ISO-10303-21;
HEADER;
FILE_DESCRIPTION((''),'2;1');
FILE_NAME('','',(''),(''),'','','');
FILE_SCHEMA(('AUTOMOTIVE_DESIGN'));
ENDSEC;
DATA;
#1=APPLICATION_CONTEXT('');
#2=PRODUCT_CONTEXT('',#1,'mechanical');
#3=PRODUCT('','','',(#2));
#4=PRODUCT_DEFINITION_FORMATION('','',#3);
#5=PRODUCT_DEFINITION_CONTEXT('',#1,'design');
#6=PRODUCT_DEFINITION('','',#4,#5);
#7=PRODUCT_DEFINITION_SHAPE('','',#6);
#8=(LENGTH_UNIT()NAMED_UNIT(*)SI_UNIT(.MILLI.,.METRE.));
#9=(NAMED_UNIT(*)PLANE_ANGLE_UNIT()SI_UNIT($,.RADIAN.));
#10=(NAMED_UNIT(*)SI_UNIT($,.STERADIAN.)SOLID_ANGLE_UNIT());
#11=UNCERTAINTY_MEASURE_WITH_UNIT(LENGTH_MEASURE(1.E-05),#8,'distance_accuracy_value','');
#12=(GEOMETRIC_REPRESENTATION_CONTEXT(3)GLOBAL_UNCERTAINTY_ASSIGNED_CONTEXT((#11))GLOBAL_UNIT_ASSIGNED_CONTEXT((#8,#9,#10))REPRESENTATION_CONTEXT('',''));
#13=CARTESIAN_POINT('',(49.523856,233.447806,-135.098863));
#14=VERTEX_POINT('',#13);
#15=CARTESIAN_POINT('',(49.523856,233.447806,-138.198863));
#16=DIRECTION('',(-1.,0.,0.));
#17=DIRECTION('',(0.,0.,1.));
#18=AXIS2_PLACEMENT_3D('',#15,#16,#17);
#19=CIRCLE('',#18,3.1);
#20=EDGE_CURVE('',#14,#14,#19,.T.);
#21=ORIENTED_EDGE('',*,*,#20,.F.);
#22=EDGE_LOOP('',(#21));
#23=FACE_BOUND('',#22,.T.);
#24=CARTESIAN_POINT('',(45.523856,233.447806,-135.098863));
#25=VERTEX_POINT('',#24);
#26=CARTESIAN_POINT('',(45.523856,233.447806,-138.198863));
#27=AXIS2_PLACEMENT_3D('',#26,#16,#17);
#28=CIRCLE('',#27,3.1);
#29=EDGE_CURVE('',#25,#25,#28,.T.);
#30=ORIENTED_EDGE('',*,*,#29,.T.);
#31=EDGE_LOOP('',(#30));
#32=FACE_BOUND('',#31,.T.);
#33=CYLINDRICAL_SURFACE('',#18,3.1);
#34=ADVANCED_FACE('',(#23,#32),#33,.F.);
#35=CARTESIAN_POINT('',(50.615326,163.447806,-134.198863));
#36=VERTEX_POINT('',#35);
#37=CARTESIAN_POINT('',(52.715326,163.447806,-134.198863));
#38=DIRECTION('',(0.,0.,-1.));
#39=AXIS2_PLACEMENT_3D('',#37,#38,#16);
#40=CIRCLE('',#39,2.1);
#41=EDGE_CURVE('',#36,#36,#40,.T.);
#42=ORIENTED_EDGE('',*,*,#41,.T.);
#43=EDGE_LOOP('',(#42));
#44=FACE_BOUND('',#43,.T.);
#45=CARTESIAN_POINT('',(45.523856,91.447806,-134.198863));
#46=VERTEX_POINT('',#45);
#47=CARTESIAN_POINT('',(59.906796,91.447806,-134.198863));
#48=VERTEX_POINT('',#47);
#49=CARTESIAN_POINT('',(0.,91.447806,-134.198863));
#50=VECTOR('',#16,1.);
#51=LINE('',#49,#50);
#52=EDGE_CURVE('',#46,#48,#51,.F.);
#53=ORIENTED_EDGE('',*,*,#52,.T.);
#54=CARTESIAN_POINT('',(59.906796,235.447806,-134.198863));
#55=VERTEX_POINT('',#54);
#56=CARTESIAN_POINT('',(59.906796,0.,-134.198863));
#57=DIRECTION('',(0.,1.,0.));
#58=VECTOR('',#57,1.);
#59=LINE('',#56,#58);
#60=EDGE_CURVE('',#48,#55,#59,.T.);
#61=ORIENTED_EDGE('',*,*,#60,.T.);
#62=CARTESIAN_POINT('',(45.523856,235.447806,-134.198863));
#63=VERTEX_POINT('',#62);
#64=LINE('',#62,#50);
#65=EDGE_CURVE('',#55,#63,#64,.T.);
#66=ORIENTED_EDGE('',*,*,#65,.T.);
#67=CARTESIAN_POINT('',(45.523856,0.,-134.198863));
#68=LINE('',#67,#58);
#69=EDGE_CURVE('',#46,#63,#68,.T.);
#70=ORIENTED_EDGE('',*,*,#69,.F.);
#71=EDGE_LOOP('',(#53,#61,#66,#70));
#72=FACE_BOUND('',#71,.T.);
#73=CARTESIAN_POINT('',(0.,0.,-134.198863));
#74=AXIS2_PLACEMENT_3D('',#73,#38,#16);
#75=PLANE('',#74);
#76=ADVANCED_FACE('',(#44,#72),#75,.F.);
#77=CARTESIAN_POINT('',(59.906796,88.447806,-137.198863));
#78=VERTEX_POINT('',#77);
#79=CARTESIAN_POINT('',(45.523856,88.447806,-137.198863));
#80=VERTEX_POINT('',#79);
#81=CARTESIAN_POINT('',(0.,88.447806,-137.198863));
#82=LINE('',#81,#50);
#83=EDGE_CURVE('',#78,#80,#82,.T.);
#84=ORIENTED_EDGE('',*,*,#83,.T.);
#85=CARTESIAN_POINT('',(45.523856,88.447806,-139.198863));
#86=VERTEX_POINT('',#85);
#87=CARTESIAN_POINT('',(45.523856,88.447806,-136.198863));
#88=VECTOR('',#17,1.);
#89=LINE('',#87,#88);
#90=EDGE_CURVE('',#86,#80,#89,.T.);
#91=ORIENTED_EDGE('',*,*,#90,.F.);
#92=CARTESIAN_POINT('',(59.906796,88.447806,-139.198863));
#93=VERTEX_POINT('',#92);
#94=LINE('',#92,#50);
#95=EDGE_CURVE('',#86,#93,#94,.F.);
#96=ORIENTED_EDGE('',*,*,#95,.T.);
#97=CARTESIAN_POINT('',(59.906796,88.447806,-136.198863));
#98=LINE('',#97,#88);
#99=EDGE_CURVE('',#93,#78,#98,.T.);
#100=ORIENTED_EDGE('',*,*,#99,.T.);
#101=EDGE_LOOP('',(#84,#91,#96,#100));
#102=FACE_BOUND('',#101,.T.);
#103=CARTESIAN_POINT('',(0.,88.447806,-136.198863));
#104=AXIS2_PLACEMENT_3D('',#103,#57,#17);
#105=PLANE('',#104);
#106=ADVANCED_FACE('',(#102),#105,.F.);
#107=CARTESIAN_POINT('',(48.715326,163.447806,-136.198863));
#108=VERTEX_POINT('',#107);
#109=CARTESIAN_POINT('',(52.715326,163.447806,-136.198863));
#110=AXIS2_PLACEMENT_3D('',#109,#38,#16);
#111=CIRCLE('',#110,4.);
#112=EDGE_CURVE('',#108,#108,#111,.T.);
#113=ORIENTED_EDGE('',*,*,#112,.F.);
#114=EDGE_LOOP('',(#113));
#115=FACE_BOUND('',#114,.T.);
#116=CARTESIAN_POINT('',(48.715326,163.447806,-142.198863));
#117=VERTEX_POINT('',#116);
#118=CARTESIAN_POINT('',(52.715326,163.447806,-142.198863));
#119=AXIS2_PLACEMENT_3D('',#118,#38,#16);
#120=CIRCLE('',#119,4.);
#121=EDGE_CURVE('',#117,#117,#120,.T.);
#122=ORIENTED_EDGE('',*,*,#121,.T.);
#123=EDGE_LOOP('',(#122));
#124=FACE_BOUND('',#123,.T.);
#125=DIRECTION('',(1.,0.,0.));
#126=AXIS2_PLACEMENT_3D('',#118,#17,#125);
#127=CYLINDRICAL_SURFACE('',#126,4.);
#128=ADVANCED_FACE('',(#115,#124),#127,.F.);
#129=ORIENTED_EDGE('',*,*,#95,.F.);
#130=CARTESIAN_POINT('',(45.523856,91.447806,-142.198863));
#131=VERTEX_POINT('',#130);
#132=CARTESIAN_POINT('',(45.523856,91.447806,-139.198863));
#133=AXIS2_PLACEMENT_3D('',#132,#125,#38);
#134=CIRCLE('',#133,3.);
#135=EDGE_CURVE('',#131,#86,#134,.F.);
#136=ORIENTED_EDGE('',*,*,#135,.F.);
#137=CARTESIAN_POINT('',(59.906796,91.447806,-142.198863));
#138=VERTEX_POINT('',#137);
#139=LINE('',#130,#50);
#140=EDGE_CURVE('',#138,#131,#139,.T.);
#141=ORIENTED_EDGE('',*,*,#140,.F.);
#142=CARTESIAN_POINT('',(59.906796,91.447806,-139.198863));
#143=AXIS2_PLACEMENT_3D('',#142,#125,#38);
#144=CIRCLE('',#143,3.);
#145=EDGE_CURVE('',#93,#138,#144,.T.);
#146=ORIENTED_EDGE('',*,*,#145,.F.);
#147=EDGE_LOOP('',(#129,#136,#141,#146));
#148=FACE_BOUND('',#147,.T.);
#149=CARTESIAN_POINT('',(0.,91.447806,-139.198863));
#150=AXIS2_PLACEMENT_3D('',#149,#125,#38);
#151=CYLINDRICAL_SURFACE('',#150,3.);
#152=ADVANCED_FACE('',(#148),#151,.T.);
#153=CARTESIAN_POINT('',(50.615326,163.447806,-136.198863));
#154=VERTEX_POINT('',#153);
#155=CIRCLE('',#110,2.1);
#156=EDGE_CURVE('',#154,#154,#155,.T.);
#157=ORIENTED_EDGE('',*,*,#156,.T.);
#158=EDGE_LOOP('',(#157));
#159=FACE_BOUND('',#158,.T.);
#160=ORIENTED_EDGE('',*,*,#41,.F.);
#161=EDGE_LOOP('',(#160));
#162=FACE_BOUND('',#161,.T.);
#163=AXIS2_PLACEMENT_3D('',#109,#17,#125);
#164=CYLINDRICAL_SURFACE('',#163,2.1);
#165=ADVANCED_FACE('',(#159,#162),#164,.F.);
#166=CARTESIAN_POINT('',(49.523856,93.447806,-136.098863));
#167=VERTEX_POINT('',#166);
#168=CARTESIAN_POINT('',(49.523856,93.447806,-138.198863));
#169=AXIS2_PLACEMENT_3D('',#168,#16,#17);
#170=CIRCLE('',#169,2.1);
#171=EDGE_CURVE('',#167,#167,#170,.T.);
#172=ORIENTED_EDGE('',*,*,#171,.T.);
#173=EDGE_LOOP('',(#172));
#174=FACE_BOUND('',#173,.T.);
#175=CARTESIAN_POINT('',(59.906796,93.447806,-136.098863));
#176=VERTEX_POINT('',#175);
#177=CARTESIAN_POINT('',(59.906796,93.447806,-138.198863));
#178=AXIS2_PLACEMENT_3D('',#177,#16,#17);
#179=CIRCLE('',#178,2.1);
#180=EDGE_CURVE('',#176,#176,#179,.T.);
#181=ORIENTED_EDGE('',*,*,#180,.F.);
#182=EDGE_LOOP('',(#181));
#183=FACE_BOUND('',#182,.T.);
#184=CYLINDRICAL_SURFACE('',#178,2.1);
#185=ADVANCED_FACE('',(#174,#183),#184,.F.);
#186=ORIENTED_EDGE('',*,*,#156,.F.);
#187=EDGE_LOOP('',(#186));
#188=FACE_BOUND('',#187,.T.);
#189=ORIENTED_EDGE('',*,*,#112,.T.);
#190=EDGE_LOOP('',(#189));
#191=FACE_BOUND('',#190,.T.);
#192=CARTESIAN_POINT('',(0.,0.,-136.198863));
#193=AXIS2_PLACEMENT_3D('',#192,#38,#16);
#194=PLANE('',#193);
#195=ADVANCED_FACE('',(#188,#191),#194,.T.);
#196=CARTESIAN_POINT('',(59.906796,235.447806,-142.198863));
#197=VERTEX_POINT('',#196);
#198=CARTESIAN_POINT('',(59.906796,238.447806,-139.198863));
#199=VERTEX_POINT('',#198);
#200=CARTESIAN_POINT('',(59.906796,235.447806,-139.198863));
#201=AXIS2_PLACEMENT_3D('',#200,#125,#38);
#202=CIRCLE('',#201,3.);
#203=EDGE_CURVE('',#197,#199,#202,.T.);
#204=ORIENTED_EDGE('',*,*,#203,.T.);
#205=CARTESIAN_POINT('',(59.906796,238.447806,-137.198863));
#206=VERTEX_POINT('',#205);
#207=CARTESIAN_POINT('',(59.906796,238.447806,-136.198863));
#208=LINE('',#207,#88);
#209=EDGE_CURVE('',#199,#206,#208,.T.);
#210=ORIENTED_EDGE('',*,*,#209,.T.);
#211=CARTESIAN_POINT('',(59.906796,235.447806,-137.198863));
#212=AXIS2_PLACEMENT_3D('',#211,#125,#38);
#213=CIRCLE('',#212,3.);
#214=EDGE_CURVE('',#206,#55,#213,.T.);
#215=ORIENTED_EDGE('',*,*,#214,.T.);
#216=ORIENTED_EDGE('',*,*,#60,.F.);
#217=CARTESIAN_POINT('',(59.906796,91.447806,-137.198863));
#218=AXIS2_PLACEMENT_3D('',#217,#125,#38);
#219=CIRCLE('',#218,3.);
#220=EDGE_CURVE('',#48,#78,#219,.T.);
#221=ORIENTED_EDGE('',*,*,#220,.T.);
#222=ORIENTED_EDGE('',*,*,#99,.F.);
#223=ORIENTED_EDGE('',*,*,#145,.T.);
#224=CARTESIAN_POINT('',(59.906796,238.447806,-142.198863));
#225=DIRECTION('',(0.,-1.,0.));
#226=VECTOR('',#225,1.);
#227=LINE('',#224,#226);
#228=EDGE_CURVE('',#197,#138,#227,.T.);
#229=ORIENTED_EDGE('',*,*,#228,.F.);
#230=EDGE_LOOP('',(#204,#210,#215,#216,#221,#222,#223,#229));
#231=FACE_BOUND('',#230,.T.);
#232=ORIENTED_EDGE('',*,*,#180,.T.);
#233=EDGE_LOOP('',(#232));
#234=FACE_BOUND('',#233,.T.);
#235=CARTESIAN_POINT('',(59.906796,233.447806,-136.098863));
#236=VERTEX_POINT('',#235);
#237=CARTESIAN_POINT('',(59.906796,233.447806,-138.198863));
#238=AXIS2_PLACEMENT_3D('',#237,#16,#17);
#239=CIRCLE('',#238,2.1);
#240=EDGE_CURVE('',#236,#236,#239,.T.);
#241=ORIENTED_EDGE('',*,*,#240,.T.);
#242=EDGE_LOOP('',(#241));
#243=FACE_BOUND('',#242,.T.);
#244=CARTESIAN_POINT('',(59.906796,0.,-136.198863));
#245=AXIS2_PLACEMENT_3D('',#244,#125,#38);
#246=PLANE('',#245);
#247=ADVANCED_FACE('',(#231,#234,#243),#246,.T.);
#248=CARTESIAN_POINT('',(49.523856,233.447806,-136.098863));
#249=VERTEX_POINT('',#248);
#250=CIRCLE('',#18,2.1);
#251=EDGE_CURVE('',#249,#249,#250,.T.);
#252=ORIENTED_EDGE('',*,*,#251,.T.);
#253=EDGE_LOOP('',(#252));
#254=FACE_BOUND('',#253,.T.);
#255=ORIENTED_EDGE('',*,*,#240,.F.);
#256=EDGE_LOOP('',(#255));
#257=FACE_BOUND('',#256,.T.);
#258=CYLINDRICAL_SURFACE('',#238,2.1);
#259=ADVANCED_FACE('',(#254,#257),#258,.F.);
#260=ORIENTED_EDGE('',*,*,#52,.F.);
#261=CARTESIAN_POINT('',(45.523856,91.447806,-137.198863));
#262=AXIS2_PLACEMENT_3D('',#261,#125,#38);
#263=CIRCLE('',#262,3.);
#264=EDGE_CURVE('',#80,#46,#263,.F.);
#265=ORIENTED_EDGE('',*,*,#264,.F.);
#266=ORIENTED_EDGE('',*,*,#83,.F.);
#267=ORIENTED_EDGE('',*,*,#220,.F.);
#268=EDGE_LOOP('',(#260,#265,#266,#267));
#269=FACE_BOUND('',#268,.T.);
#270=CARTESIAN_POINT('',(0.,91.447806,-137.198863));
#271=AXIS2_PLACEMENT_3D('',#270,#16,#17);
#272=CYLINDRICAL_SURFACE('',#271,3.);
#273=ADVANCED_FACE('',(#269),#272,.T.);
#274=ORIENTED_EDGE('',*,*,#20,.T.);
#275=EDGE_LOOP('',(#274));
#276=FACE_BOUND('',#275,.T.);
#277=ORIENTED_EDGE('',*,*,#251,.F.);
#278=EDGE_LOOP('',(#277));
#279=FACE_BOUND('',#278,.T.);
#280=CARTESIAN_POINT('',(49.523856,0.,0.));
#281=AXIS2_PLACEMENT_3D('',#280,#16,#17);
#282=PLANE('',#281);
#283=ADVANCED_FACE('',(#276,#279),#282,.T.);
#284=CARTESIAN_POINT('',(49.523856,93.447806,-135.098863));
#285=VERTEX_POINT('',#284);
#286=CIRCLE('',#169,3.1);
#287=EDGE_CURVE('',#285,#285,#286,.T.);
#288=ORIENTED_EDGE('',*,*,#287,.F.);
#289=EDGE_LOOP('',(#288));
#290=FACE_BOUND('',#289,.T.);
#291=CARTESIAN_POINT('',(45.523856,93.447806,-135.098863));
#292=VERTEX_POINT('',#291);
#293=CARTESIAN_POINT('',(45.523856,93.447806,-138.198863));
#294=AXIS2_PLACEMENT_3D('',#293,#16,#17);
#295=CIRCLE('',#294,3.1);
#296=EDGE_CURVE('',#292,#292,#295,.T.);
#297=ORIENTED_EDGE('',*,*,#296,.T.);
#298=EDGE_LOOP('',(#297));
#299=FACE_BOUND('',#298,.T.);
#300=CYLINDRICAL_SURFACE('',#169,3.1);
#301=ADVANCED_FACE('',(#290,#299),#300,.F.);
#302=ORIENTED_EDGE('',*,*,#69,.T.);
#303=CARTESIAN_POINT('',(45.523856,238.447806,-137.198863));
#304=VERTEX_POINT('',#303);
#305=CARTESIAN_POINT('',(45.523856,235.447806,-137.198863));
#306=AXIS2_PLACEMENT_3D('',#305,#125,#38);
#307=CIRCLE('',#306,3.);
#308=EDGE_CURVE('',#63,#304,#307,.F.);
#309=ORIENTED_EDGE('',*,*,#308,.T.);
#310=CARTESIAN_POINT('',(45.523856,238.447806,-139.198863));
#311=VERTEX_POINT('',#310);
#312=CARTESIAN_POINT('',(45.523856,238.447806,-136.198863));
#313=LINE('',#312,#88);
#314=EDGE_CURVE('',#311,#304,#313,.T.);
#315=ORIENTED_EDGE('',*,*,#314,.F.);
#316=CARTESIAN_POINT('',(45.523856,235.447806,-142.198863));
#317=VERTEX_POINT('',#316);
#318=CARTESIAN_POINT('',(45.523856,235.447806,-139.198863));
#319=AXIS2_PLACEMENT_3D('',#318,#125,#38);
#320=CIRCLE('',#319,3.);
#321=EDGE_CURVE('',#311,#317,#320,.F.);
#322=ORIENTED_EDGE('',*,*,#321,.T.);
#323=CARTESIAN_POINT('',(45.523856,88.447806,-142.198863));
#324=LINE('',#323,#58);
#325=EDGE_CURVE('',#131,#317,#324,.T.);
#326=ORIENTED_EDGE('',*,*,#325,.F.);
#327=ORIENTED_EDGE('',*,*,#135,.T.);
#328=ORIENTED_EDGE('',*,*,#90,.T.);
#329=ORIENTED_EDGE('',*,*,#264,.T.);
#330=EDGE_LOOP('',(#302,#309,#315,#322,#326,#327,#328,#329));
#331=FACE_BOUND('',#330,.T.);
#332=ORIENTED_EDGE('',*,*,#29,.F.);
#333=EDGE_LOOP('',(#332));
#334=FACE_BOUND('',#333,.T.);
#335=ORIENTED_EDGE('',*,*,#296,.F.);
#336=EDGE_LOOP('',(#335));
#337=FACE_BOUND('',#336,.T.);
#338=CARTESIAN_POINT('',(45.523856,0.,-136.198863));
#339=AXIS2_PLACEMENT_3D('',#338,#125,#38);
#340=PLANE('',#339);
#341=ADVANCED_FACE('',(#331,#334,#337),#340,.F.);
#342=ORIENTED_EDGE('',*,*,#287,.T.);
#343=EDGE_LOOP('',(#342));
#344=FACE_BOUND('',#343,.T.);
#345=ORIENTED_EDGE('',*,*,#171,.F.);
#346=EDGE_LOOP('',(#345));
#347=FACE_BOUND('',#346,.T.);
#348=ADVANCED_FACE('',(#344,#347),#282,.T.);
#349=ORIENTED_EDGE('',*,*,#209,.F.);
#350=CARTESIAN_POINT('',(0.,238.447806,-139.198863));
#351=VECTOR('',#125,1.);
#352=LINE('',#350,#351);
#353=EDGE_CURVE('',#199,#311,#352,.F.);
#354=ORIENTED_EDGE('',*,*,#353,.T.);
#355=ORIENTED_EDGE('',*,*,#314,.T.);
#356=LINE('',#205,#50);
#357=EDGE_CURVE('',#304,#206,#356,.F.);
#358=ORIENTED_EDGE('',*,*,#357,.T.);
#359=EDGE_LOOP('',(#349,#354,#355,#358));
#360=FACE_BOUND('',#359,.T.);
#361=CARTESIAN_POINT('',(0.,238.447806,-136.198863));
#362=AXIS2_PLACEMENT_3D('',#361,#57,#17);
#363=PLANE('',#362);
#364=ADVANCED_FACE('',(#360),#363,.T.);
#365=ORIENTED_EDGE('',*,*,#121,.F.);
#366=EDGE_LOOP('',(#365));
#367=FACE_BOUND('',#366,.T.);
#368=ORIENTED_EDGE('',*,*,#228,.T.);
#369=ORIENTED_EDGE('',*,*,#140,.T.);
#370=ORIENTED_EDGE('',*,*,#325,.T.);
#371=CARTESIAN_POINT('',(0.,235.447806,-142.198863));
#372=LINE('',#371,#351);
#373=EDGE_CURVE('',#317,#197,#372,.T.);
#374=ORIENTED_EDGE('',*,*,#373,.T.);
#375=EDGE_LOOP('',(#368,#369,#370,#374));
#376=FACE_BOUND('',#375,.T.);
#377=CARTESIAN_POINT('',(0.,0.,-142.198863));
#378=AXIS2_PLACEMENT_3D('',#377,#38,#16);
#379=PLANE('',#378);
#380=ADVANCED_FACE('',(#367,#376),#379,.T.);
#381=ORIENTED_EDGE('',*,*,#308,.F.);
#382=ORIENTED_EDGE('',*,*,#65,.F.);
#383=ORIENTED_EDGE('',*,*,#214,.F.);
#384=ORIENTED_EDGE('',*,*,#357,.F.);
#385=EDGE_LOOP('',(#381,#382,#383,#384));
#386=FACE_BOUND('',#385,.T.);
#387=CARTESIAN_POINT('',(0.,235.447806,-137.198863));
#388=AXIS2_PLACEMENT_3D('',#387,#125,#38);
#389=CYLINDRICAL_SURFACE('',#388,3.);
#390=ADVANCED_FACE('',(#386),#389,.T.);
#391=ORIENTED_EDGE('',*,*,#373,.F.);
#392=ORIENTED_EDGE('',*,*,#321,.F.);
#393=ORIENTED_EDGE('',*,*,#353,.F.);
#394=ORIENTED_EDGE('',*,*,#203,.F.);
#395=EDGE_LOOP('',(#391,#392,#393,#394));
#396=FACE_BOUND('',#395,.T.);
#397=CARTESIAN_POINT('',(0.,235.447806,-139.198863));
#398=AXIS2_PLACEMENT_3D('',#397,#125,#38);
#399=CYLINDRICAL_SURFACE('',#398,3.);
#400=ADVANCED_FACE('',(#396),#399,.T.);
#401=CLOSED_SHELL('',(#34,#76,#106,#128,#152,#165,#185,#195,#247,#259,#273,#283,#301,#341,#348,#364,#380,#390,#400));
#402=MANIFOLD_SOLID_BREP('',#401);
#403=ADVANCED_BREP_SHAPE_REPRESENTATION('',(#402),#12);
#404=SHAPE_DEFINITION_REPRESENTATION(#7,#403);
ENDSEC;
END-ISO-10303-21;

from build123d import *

# Parameters (mm, degrees)
CROQUIS1_W              = 14.382940013
CROQUIS1_H              = 150
CROQUIS1_W_2            = 10
CROQUIS1_H_2            = 20
CROQUIS1_R              = 3.1
CROQUIS1_R_2            = 2.1
SALIENTE_EXTRUIR1_DEPTH = 2
CROQUIS2_W              = 14.382940013
CROQUIS2_H              = 150
CROQUIS2_R              = 4
SALIENTE_EXTRUIR2_DEPTH = 6
CROQUIS3_R              = 3.1
CORTAR_EXTRUIR1_DEPTH   = 4
CROQUIS4_R              = 2.1
CORTAR_EXTRUIR2_DEPTH   = 278.82310565
REDONDEO2_R             = 3


with BuildPart() as part:
    # Croquis1 → Saliente-Extruir1 (new body)
    # profile 1 of 3: a face of its own
    with BuildSketch(Plane(origin=(0, 0, -134.198862982), x_dir=(-1, 0, 0), z_dir=(0, 0, -1))):
        with Locations((-52.715326076, 163.447805519)):
            Rectangle(CROQUIS1_W, CROQUIS1_H)
        with Locations((-52.715326075, 163.447805519)):
            Rectangle(CROQUIS1_W_2, CROQUIS1_H_2, mode=Mode.SUBTRACT)
    # profile 2 of 3: a face of its own
    with BuildSketch(Plane(origin=(0, 0, -134.198862982), x_dir=(-1, 0, 0), z_dir=(0, 0, -1))):
        with Locations((-52.715326075, 163.447805519)):
            Rectangle(CROQUIS1_W_2, CROQUIS1_H_2)
        with Locations((-52.715326075, 163.447805519)):
            Circle(CROQUIS1_R, mode=Mode.SUBTRACT)
    # profile 3 of 3: a face of its own
    with BuildSketch(Plane(origin=(0, 0, -134.198862982), x_dir=(-1, 0, 0), z_dir=(0, 0, -1))):
        with Locations((-52.715326075, 163.447805519)):
            Circle(CROQUIS1_R)
        with Locations((-52.715326075, 163.447805519)):
            Circle(CROQUIS1_R_2, mode=Mode.SUBTRACT)
    extrude(amount=SALIENTE_EXTRUIR1_DEPTH)

    # Croquis2 → Saliente-Extruir2 (add)
    with BuildSketch(Plane(origin=(0, 0, -136.198862982), x_dir=(-1, 0, 0), z_dir=(0, 0, -1))):
        with Locations((-52.715326076, 163.447805519)):
            Rectangle(CROQUIS2_W, CROQUIS2_H)
        with Locations((-52.715326075, 163.447805519)):
            Circle(CROQUIS2_R, mode=Mode.SUBTRACT)
    extrude(amount=SALIENTE_EXTRUIR2_DEPTH)

    # Croquis3 → Cortar-Extruir1 (cut)
    with BuildSketch(Plane.ZY.offset(-45.523856069)):
        with Locations((-138.198862982, 93.447805519)):
            Circle(CROQUIS3_R)
        with Locations((-138.198862982, 233.447805519)):
            Circle(CROQUIS3_R)
    extrude(amount=-CORTAR_EXTRUIR1_DEPTH, mode=Mode.SUBTRACT)

    # Croquis4 → Cortar-Extruir2 (cut, through all)
    with BuildSketch(Plane.ZY.offset(-49.523856069)):
        with Locations((-138.198862982, 233.447805519)):
            Circle(CROQUIS4_R)
        with Locations((-138.198862982, 93.447805519)):
            Circle(CROQUIS4_R)
    extrude(amount=-CORTAR_EXTRUIR2_DEPTH, mode=Mode.SUBTRACT)

    # Redondeo2
    redondeo2_edges = [part.edges().sort_by_distance(p)[0] for p in [
        (52.715326075, 88.447805519, -142.198862982),
        (52.715326075, 238.447805519, -142.198862982),
        (52.715326075, 238.447805519, -134.198862982),
        (52.715326075, 88.447805519, -134.198862982),
    ]]
    fillet(redondeo2_edges, radius=REDONDEO2_R)


solid = part.part
